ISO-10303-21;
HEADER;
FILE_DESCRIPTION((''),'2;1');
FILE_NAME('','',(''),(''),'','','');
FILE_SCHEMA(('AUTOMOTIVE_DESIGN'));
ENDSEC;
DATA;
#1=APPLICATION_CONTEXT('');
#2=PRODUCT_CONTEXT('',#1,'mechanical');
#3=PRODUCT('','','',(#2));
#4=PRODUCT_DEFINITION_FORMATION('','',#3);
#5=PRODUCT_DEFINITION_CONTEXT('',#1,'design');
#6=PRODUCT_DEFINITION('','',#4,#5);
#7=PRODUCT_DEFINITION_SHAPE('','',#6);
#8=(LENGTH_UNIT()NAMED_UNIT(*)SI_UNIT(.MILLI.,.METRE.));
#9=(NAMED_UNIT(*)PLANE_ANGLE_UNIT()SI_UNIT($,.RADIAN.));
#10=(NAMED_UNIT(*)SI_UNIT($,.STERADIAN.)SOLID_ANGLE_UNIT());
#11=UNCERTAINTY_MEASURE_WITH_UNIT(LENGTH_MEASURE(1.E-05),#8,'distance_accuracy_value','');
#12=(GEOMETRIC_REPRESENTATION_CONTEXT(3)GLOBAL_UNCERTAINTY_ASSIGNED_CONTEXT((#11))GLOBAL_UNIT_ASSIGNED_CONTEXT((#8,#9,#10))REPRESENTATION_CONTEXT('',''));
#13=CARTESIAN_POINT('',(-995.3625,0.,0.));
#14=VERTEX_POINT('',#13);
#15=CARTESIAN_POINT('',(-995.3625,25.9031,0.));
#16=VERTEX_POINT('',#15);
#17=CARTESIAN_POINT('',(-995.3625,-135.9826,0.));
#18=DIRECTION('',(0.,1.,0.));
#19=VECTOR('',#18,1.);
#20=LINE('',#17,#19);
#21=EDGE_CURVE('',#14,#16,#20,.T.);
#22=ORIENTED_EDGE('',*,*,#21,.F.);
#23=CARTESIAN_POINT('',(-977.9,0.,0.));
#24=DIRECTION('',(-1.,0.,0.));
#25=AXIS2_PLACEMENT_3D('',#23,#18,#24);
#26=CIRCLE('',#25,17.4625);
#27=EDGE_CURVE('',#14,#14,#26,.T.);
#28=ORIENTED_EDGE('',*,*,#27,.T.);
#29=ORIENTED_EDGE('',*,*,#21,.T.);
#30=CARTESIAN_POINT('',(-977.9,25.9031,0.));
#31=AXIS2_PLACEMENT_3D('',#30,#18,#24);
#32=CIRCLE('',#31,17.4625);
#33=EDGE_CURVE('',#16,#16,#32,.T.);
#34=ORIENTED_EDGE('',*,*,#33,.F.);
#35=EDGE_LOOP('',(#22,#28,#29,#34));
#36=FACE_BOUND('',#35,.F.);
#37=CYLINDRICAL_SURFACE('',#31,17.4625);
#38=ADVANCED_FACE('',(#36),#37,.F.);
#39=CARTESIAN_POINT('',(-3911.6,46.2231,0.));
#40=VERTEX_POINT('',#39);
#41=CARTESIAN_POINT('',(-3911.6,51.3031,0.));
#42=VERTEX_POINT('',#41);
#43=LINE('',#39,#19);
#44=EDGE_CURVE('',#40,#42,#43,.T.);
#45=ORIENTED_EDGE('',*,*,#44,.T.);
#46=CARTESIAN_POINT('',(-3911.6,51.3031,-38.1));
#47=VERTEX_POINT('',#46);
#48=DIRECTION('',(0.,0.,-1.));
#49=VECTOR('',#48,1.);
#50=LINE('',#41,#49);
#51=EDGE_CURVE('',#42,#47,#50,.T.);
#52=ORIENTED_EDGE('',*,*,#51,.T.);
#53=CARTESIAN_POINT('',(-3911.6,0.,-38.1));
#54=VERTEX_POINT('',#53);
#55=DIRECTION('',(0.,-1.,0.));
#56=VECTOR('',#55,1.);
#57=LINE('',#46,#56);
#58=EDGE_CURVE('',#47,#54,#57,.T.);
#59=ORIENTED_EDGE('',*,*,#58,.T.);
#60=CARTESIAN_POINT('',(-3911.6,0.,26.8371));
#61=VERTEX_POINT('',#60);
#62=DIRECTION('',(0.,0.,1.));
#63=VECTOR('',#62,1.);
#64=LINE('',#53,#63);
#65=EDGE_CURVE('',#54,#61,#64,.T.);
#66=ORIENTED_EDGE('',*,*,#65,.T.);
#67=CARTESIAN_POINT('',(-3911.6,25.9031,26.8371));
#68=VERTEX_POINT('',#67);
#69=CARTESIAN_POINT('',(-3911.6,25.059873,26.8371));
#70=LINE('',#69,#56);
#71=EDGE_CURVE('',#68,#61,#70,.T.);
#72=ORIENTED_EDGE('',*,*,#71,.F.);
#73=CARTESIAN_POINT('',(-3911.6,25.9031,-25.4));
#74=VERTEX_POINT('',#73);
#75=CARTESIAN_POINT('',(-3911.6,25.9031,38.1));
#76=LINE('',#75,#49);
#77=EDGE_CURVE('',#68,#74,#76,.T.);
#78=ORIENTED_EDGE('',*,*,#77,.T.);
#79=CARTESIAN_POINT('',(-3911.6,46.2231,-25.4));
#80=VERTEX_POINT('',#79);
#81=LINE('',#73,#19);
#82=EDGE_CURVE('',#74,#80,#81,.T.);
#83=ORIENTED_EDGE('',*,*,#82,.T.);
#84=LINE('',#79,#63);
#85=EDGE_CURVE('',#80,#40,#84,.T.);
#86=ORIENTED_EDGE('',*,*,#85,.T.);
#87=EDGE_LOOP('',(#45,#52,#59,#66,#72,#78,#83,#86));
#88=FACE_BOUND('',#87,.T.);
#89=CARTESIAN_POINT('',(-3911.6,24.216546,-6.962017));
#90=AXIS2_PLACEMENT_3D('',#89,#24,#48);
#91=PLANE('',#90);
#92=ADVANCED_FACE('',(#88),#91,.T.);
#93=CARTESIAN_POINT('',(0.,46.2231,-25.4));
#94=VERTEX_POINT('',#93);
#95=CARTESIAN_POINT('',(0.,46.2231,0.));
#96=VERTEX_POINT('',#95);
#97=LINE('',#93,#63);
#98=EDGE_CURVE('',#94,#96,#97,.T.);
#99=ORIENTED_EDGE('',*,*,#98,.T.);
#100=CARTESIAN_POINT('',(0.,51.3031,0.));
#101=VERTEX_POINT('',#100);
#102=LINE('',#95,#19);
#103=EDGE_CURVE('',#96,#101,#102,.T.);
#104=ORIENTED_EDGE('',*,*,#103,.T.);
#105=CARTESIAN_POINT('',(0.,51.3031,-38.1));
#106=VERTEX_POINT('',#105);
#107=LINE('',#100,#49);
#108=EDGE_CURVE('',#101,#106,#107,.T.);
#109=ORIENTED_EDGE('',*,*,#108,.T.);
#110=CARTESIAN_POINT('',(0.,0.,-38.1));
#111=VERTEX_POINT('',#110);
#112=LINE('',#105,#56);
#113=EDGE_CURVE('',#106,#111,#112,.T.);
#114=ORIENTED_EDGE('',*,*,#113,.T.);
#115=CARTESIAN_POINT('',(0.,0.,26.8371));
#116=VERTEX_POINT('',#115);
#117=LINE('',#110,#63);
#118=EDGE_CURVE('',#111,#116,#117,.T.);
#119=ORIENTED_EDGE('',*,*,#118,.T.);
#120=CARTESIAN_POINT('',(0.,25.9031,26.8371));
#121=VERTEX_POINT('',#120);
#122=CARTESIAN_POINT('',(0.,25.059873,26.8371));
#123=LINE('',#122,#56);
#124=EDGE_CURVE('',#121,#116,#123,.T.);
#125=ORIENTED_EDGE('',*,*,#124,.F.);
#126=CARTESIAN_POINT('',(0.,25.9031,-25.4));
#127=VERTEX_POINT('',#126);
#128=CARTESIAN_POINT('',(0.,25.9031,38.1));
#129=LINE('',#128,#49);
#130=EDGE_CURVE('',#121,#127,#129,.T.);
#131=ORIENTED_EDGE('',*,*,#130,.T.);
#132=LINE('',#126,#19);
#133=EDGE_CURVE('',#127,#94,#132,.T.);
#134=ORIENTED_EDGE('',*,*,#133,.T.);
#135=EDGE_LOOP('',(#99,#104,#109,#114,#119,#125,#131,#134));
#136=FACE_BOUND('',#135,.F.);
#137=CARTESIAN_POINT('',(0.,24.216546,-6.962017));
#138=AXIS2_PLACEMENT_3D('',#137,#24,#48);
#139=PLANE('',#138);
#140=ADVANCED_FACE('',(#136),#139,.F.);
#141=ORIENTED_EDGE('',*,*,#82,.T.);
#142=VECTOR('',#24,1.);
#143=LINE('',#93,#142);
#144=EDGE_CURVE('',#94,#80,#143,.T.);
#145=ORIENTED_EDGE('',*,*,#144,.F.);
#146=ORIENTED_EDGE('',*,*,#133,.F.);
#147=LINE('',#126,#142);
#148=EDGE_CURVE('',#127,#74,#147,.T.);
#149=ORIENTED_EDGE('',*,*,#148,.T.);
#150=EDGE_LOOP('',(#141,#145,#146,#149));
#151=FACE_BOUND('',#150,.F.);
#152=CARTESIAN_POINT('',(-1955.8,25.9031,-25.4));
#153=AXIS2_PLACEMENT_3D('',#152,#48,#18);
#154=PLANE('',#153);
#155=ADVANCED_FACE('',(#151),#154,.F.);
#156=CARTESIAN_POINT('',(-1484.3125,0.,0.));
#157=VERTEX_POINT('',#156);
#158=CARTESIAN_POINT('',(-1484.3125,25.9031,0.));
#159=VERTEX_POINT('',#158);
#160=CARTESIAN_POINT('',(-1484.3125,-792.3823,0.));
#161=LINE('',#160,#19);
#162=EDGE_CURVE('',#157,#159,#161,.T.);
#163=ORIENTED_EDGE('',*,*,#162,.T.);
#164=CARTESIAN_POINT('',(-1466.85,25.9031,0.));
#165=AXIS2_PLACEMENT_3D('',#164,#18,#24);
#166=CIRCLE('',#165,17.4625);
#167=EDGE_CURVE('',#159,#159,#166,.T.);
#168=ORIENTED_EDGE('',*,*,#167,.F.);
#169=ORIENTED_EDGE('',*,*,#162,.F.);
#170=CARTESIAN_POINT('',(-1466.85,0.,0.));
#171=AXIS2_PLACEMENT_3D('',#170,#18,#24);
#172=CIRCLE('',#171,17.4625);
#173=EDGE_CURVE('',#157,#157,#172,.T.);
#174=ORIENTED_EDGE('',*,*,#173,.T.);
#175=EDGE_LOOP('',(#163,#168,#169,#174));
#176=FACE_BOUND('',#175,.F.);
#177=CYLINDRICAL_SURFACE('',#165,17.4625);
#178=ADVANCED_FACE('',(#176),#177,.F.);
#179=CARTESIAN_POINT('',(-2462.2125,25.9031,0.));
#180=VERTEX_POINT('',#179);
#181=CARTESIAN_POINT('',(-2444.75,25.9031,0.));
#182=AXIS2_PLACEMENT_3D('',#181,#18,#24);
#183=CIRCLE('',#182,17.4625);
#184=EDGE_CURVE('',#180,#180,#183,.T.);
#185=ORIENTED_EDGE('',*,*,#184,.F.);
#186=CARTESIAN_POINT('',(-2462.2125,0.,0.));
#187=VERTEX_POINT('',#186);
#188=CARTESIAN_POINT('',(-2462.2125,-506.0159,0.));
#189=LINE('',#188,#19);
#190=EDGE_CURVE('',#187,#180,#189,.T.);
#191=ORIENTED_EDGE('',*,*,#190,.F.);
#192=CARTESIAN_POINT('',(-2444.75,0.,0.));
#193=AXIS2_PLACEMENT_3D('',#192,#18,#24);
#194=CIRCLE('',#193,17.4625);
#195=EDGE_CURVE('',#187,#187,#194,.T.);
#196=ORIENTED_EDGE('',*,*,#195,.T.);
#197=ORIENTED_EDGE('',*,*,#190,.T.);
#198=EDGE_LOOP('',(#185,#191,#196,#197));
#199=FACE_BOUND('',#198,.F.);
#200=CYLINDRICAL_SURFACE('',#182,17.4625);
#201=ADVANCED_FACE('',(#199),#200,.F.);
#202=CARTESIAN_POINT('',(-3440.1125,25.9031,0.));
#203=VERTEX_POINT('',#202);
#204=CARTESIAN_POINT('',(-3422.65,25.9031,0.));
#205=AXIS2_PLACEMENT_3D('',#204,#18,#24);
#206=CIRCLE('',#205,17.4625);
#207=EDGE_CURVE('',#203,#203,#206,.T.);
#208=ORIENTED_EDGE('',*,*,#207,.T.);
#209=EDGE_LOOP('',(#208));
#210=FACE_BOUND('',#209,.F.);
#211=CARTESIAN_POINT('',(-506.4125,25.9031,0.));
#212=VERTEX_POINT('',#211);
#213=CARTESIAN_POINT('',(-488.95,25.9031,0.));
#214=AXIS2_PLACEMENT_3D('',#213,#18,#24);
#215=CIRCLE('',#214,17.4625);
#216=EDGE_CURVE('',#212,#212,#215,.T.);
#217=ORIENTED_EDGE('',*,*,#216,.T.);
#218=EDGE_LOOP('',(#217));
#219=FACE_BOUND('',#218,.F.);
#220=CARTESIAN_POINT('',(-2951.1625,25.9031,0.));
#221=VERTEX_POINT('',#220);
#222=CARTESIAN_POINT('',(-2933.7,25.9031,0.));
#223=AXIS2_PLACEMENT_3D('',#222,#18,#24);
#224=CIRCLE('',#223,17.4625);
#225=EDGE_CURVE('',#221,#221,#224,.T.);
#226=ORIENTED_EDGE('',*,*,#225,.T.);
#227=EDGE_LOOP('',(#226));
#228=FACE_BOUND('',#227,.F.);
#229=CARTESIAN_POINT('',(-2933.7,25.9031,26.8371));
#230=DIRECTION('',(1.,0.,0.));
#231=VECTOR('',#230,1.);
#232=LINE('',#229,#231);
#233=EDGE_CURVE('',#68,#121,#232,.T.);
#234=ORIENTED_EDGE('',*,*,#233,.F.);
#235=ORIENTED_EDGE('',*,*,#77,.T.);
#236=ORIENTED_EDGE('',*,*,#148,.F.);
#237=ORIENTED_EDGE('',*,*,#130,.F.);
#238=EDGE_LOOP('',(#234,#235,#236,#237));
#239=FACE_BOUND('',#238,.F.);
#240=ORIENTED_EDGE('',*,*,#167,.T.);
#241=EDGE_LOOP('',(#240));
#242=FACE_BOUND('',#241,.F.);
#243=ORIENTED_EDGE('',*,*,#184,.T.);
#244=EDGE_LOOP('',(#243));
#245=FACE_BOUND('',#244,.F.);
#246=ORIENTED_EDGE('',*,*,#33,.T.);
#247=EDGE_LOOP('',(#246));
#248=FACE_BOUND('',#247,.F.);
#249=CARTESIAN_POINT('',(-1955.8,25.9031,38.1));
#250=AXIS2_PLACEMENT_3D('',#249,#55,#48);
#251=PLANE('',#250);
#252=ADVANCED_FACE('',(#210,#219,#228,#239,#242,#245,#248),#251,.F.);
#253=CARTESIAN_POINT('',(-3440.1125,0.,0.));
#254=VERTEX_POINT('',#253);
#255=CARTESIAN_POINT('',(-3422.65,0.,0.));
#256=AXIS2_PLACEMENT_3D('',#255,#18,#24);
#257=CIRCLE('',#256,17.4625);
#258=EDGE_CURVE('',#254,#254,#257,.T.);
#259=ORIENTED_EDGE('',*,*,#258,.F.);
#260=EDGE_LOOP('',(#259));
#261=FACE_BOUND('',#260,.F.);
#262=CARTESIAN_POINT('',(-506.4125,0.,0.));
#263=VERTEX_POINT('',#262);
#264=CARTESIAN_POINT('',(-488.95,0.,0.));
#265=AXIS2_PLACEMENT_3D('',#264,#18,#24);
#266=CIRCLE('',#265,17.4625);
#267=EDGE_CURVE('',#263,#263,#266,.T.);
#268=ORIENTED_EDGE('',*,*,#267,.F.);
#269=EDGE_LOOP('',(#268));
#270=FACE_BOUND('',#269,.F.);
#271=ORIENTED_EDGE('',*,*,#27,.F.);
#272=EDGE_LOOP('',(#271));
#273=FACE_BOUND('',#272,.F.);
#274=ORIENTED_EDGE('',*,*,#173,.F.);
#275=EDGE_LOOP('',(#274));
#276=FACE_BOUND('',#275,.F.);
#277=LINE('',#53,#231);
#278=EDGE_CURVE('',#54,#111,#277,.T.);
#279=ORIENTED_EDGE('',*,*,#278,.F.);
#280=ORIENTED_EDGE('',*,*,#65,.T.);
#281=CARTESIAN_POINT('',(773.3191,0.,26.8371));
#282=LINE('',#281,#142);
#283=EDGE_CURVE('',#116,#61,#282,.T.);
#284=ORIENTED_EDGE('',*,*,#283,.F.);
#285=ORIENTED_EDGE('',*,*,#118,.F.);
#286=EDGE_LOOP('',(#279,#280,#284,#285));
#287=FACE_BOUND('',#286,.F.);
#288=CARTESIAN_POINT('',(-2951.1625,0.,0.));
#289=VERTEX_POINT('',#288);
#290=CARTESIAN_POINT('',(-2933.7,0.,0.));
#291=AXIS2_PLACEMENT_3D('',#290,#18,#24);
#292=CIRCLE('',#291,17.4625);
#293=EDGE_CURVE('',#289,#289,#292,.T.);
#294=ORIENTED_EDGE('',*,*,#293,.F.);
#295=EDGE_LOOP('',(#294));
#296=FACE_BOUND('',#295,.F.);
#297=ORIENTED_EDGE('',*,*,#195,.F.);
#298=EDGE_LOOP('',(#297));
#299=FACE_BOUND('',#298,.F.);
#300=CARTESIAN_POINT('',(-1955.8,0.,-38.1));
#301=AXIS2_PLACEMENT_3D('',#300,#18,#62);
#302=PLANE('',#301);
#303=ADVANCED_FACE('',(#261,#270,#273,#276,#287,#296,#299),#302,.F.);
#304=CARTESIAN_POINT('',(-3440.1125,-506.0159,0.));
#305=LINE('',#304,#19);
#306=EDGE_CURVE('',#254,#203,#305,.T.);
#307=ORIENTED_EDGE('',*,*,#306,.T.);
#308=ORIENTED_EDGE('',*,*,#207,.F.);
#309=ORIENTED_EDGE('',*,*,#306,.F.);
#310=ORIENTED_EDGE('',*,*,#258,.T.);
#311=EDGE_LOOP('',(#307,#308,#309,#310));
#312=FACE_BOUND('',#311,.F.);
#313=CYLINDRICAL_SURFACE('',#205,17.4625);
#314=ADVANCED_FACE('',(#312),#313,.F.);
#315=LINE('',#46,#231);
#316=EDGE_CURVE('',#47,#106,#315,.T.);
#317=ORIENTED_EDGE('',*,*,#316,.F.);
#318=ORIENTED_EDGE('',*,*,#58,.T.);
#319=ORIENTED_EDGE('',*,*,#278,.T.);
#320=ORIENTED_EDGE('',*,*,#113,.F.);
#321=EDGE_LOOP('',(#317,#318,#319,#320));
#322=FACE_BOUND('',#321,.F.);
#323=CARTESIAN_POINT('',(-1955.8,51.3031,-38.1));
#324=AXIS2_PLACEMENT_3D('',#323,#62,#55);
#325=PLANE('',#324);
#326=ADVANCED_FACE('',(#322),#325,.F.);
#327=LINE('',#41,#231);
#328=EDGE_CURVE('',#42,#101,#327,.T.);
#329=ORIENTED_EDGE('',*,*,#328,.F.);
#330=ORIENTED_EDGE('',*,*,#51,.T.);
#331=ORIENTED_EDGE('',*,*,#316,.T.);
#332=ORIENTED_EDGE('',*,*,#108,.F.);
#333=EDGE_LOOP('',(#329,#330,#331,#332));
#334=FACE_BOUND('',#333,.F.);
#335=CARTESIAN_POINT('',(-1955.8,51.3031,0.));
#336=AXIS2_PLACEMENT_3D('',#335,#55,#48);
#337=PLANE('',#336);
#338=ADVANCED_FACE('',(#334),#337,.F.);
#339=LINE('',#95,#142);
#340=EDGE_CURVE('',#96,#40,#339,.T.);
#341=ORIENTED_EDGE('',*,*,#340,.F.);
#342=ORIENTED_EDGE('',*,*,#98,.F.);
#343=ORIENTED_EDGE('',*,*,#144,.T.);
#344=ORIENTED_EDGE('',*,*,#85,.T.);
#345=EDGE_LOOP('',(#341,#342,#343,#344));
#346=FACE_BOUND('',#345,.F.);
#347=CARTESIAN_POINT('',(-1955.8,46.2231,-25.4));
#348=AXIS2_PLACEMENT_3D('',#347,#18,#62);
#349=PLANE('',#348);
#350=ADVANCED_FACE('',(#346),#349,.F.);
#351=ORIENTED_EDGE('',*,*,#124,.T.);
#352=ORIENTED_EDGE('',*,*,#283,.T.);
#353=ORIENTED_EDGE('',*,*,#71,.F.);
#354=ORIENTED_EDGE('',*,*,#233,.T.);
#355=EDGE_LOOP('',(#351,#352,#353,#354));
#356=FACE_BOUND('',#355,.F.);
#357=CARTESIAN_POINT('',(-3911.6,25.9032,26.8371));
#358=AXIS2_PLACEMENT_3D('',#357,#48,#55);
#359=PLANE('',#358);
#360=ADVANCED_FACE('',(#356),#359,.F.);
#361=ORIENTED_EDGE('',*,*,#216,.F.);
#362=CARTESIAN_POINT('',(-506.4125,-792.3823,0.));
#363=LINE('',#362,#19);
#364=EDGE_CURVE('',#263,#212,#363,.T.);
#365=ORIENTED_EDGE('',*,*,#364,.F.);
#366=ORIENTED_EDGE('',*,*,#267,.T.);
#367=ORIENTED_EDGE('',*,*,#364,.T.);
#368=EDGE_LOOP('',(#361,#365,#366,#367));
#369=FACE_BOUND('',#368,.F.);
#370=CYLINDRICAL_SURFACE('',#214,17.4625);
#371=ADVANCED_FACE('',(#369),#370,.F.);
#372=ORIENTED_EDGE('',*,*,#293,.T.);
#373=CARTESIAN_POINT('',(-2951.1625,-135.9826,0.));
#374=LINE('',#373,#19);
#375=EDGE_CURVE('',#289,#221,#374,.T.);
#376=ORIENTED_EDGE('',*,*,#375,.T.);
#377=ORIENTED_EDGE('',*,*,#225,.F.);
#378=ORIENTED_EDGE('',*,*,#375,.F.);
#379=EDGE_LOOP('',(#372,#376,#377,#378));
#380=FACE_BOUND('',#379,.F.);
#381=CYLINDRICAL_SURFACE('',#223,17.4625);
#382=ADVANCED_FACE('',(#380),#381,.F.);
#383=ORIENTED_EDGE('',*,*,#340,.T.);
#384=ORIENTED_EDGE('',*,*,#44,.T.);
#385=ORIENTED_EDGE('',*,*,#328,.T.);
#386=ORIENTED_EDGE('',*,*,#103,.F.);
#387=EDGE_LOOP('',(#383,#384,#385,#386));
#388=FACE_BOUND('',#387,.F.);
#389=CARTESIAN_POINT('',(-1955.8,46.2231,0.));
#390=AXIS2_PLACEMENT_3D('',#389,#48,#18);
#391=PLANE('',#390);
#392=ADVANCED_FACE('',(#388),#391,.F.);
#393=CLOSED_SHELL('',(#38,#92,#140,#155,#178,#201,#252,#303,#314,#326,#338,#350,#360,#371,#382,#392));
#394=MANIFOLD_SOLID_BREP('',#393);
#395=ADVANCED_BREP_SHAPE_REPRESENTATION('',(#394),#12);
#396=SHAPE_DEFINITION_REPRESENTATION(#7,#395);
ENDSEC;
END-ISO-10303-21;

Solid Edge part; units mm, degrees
sketch "Sketch1" plane through (-1955.8, 6.35, 0) normal (-1, 0, 0) x (0, 0, 1)
  line L0 (-38.1, -6.35) -> (38.1, -6.35)
  line L1 (38.1, -6.35) -> (38.1, 19.5531)
  line L2 (38.1, 19.5531) -> (-25.4, 19.5531)
  line L3 (-25.4, 19.5531) -> (-25.4, 39.8731)
  line L4 (-25.4, 39.8731) -> (0, 39.8731)
  line L5 (0, 39.8731) -> (0, 44.9531)
  line L6 (0, 44.9531) -> (-38.1, 44.9531)
  line L7 (-38.1, 44.9531) -> (-38.1, -6.35)
extrude "Protrusion1" add sketch "Sketch1" along normal mid plane 3911.6
sketch "Sketch2" plane through (-1955.8, 25.9031, 6.35) normal (0, 1, 0) x (-1, 0, 0)
  circle A0 centre (-977.9, -6.35) radius 17.4625
  circle A1 centre (977.9, -6.35) radius 17.4625
extrude "ExtrudedCutout_4" cut sketch "Sketch2" against normal blind 161.8857 and the other way blind 5.442
sketch "Sketch3" plane through (-1955.8, 25.9031, 6.35) normal (0, 1, 0) x (-1, 0, 0)
  circle A0 centre (-1466.85, -6.35) radius 17.4625
  circle A1 centre (-488.95, -6.35) radius 17.4625
extrude "ExtrudedCutout_5" cut sketch "Sketch3" against normal blind 818.2854 and the other way blind 15.4522
sketch "Sketch4" plane through (-1955.8, 25.9031, 6.35) normal (0, 1, 0) x (-1, 0, 0)
  circle A0 centre (488.95, -6.35) radius 17.4625
  circle A1 centre (1466.85, -6.35) radius 17.4625
extrude "ExtrudedCutout_6" cut sketch "Sketch4" against normal blind 531.919 and the other way blind 6.6889
sketch "Sketch5" plane through (-3911.6, 25.6516, 0) normal (-1, 0, 0) x (0, -1, 0)
  line L0 (-0.2516, 26.8371) -> (25.6516, 26.8371)
  line L1 (25.6516, 26.8371) -> (25.6516, 38.1)
  line L2 (25.6516, 38.1) -> (-0.2516, 38.1)
  line L3 (-0.2516, 38.1) -> (-0.2516, 26.8371)
extrude "ExtrudedCutout_7" cut sketch "Sketch5" against normal blind 4684.9191 and the other way blind 1145.5726
properties material "Steel"
